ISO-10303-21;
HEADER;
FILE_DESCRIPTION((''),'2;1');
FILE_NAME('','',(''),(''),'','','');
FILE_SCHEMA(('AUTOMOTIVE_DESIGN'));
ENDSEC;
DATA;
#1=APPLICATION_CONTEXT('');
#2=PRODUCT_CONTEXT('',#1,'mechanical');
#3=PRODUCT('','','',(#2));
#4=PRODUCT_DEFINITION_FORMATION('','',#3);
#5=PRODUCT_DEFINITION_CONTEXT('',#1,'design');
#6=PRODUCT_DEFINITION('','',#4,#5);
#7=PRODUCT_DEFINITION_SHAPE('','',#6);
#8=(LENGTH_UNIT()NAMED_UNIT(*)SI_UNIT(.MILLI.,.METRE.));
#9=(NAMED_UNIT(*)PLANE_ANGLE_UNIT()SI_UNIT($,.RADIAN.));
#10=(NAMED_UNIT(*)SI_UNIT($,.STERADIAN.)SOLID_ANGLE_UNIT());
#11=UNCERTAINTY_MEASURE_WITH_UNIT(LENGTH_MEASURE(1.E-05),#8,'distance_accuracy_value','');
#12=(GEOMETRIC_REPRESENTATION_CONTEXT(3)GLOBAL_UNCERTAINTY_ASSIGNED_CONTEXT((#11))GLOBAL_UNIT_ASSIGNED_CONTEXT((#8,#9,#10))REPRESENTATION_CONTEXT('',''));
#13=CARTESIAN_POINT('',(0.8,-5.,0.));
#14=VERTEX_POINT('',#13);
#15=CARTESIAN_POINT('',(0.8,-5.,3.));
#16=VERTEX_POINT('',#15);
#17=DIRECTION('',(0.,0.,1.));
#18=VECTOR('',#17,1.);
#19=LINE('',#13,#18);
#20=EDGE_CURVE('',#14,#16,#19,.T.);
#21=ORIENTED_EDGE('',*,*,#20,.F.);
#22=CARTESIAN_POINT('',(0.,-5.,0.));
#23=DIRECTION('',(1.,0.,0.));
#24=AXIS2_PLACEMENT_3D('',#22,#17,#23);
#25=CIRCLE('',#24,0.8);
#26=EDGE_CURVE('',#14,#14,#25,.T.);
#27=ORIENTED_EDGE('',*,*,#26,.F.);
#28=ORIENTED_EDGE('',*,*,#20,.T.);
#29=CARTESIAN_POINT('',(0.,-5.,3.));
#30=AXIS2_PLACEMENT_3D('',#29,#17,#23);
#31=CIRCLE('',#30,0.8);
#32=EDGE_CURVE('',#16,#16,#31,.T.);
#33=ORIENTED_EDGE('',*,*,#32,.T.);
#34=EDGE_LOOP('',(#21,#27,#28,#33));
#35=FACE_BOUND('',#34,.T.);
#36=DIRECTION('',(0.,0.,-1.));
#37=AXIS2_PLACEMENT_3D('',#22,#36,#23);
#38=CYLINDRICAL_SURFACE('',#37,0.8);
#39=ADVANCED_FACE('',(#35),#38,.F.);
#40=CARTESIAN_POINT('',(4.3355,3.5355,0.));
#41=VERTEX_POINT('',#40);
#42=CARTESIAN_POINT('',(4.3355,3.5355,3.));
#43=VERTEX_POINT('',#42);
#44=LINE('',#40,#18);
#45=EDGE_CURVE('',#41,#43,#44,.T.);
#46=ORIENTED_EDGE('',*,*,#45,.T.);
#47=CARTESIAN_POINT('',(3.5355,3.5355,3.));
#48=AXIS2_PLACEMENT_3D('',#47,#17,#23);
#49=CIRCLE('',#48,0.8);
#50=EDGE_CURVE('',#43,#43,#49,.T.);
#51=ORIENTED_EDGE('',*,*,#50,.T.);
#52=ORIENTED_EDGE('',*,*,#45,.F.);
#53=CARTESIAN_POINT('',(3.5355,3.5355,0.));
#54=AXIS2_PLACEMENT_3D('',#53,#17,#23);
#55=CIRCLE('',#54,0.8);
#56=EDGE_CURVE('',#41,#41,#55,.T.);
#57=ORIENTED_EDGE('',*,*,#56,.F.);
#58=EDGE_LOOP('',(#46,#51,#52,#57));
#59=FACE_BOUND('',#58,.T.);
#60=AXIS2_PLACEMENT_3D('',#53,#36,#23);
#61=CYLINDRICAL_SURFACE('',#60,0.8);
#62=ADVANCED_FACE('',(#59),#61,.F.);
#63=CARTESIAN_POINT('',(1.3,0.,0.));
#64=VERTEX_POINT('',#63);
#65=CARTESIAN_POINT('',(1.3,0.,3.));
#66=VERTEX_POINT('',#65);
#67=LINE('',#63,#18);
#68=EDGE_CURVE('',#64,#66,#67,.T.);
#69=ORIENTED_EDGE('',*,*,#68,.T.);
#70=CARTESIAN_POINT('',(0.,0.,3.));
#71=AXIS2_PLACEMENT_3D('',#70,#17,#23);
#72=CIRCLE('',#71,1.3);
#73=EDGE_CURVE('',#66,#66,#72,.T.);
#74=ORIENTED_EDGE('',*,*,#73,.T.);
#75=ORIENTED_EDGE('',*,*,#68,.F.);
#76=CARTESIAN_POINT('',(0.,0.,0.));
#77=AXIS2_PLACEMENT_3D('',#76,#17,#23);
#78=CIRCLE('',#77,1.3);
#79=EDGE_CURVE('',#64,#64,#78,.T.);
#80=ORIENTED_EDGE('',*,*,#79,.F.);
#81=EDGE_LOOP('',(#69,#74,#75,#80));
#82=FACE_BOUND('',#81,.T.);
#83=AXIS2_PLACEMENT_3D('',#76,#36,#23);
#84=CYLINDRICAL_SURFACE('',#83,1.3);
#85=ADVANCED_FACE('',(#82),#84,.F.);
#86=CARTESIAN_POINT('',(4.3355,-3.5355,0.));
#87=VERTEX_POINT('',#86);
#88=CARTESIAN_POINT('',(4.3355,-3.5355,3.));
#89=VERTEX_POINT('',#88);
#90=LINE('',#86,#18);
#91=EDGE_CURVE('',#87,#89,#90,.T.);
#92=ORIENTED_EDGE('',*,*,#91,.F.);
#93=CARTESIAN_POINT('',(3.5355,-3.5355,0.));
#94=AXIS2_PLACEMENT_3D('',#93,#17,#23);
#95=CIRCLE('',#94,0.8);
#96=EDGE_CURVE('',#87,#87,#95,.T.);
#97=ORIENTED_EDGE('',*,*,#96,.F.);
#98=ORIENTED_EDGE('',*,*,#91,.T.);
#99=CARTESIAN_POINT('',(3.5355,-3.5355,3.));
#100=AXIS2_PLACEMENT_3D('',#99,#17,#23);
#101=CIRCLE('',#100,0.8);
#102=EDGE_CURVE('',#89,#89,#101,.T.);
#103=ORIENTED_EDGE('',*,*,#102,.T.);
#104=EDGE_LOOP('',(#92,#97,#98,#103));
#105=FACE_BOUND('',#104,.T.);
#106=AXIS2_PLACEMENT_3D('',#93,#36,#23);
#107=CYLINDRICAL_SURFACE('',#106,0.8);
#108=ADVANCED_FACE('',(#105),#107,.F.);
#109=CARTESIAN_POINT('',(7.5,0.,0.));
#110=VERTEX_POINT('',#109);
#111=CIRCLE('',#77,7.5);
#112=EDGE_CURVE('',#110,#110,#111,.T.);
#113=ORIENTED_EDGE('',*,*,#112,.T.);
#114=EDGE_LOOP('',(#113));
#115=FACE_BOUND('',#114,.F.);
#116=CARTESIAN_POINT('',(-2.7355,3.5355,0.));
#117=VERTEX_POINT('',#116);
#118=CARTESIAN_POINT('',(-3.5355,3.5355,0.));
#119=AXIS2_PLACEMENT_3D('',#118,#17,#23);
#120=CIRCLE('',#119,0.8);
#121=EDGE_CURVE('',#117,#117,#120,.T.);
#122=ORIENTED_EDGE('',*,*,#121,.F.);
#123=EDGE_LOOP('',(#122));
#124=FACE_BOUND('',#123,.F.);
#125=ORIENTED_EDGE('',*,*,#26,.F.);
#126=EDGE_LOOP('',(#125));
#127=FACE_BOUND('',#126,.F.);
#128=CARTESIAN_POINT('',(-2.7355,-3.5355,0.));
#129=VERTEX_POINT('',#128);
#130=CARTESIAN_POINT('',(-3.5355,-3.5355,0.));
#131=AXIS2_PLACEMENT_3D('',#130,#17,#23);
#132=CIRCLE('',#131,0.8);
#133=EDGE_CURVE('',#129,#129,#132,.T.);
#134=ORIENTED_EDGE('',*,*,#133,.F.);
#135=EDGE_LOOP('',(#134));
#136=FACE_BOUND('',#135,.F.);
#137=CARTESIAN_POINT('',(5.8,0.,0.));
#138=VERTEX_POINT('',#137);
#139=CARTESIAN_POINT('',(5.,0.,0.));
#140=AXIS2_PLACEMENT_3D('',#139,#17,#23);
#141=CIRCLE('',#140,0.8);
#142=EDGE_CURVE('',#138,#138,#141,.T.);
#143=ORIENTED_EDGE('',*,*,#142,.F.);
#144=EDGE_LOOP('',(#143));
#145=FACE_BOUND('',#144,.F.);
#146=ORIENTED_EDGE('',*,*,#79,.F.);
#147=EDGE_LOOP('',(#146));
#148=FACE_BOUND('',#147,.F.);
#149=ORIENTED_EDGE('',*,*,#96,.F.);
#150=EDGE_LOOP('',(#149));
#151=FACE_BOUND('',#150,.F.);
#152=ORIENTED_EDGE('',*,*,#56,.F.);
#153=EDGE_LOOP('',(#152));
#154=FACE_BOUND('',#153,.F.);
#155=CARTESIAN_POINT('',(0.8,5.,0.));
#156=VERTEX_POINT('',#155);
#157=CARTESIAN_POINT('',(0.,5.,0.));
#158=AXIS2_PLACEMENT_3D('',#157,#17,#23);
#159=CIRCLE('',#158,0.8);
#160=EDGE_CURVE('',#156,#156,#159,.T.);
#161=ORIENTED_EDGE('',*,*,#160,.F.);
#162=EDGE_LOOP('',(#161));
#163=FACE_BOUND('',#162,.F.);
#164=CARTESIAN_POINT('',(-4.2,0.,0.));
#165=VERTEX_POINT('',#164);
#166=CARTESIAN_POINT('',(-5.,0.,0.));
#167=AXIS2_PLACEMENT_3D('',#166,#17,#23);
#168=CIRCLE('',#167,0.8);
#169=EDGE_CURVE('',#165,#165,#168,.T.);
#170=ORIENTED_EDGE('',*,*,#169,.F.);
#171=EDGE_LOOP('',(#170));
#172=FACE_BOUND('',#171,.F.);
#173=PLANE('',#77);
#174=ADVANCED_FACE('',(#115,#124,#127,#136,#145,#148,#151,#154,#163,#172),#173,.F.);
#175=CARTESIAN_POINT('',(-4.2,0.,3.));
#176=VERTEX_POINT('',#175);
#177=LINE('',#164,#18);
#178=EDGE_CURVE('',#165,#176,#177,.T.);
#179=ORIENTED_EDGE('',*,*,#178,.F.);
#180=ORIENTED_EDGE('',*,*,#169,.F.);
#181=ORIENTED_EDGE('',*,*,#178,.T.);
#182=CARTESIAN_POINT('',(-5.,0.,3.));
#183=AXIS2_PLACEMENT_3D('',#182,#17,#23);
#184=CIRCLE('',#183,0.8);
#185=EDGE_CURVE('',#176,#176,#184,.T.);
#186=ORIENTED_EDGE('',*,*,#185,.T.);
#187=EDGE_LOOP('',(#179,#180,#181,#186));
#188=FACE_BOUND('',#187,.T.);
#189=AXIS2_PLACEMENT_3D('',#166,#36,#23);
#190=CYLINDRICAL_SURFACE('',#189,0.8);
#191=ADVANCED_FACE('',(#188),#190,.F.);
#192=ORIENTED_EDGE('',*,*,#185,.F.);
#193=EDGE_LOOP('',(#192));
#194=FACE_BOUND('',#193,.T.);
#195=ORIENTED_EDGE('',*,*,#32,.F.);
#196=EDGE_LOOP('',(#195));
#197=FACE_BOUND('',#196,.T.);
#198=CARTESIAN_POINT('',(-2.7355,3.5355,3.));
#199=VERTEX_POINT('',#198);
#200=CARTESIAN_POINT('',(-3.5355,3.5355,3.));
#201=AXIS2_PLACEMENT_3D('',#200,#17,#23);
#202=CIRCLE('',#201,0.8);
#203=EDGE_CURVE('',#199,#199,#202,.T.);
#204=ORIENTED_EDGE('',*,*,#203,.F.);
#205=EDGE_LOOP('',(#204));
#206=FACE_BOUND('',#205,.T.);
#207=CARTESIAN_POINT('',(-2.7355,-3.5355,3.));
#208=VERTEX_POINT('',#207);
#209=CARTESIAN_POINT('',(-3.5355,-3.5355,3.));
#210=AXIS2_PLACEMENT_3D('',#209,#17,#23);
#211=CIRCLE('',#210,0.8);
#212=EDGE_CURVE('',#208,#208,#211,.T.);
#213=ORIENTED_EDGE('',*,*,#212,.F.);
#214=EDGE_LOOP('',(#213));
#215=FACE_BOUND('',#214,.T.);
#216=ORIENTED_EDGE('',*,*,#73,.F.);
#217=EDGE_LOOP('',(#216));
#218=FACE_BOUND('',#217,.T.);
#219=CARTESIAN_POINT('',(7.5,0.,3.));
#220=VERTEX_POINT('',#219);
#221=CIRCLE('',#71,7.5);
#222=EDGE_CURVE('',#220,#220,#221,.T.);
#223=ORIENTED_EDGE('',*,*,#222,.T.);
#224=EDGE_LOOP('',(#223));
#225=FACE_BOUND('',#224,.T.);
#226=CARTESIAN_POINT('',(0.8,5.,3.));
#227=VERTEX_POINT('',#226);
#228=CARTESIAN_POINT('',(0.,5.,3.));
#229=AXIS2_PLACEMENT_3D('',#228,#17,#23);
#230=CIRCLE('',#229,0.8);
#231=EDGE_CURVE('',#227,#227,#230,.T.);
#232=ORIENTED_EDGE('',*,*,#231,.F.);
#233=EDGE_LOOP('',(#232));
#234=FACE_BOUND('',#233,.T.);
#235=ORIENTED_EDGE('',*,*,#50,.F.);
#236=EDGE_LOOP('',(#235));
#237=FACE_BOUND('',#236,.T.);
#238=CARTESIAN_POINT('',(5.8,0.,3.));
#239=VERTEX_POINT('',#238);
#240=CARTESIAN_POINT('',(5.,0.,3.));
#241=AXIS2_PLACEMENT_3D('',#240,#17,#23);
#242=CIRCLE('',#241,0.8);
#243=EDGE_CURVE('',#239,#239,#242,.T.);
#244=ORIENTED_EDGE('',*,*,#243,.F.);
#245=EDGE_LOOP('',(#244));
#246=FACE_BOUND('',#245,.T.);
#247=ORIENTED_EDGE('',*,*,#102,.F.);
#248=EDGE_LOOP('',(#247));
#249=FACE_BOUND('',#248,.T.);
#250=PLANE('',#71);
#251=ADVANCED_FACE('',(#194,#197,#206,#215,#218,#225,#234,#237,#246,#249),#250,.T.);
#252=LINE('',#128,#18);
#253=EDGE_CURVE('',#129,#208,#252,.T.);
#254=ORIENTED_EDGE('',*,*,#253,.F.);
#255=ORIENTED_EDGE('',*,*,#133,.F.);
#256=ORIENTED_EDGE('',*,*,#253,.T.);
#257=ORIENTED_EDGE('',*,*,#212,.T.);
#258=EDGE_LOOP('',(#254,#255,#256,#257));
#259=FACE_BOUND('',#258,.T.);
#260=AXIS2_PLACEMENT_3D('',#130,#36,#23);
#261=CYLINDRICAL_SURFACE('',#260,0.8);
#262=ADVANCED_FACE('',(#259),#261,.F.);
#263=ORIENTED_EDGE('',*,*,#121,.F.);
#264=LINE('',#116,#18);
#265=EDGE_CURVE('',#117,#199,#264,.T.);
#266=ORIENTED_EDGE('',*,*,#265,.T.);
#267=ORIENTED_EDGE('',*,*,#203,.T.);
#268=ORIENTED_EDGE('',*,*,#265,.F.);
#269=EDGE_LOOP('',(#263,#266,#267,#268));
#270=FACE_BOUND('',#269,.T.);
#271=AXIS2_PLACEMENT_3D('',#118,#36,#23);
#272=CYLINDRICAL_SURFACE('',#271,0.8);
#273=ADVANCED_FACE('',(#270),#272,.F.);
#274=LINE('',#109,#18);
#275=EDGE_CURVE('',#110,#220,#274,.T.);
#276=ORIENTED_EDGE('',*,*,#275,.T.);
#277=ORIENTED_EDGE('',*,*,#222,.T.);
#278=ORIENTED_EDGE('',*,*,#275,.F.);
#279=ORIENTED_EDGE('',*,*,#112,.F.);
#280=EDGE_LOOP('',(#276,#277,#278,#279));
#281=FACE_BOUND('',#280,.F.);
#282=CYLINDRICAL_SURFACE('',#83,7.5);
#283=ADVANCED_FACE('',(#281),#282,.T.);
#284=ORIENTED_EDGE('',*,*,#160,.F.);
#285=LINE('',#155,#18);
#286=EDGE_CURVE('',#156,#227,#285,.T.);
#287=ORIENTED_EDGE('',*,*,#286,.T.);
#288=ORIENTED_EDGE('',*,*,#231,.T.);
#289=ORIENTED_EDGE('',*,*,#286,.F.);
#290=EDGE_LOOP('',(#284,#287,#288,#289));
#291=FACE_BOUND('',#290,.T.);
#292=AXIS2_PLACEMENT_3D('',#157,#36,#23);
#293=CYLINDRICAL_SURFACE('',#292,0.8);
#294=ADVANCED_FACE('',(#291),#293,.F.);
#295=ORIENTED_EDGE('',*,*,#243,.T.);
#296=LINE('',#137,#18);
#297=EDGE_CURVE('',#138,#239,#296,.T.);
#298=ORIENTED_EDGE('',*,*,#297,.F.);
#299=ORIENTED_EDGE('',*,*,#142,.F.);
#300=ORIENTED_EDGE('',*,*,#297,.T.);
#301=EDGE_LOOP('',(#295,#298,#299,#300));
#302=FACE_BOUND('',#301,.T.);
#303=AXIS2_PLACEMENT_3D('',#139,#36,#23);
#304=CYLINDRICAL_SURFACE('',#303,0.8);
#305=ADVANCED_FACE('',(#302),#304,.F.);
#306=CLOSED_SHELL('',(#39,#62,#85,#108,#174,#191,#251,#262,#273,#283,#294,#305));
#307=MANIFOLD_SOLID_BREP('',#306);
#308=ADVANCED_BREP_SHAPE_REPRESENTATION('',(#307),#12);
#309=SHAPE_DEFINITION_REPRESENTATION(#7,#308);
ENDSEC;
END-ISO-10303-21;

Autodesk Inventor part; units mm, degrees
ref_plane "YZ Plane" through (0, 0, 0) normal (1, 0, 0) x (0, 1, 0)
ref_plane "XZ Plane" through (0, 0, 0) normal (0, 1, 0) x (-1, 0, 0)
ref_plane "XY Plane" through (0, 0, 0) normal (0, 0, 1) x (1, 0, 0)
sketch "スケッチ1" plane through (0, 0, 0) normal (0, 0, 1) x (1, 0, 0)
  circle A0 centre (0, 0) radius 7.5
  circle A1 centre (0, 0) radius 5 construction
  circle A2 centre (0, 5) radius 0.8
  circle A3 centre (-3.5355, 3.5355) radius 0.8
  circle A4 centre (-5, 0) radius 0.8
  circle A5 centre (-3.5355, -3.5355) radius 0.8
  circle A6 centre (0, -5) radius 0.8
  circle A7 centre (3.5355, -3.5355) radius 0.8
  circle A8 centre (5, 0) radius 0.8
  circle A9 centre (3.5355, 3.5355) radius 0.8
  circle A10 centre (0, 0) radius 1.3
  dimension "d1" = 10
  dimension "d0" = 15
  dimension "d2" = 1.6
  dimension "d5" = 360
  dimension "d7" = 2.6
extrude "押し出し1" add sketch "スケッチ1" along normal blind 3
properties part number "dentatu"
